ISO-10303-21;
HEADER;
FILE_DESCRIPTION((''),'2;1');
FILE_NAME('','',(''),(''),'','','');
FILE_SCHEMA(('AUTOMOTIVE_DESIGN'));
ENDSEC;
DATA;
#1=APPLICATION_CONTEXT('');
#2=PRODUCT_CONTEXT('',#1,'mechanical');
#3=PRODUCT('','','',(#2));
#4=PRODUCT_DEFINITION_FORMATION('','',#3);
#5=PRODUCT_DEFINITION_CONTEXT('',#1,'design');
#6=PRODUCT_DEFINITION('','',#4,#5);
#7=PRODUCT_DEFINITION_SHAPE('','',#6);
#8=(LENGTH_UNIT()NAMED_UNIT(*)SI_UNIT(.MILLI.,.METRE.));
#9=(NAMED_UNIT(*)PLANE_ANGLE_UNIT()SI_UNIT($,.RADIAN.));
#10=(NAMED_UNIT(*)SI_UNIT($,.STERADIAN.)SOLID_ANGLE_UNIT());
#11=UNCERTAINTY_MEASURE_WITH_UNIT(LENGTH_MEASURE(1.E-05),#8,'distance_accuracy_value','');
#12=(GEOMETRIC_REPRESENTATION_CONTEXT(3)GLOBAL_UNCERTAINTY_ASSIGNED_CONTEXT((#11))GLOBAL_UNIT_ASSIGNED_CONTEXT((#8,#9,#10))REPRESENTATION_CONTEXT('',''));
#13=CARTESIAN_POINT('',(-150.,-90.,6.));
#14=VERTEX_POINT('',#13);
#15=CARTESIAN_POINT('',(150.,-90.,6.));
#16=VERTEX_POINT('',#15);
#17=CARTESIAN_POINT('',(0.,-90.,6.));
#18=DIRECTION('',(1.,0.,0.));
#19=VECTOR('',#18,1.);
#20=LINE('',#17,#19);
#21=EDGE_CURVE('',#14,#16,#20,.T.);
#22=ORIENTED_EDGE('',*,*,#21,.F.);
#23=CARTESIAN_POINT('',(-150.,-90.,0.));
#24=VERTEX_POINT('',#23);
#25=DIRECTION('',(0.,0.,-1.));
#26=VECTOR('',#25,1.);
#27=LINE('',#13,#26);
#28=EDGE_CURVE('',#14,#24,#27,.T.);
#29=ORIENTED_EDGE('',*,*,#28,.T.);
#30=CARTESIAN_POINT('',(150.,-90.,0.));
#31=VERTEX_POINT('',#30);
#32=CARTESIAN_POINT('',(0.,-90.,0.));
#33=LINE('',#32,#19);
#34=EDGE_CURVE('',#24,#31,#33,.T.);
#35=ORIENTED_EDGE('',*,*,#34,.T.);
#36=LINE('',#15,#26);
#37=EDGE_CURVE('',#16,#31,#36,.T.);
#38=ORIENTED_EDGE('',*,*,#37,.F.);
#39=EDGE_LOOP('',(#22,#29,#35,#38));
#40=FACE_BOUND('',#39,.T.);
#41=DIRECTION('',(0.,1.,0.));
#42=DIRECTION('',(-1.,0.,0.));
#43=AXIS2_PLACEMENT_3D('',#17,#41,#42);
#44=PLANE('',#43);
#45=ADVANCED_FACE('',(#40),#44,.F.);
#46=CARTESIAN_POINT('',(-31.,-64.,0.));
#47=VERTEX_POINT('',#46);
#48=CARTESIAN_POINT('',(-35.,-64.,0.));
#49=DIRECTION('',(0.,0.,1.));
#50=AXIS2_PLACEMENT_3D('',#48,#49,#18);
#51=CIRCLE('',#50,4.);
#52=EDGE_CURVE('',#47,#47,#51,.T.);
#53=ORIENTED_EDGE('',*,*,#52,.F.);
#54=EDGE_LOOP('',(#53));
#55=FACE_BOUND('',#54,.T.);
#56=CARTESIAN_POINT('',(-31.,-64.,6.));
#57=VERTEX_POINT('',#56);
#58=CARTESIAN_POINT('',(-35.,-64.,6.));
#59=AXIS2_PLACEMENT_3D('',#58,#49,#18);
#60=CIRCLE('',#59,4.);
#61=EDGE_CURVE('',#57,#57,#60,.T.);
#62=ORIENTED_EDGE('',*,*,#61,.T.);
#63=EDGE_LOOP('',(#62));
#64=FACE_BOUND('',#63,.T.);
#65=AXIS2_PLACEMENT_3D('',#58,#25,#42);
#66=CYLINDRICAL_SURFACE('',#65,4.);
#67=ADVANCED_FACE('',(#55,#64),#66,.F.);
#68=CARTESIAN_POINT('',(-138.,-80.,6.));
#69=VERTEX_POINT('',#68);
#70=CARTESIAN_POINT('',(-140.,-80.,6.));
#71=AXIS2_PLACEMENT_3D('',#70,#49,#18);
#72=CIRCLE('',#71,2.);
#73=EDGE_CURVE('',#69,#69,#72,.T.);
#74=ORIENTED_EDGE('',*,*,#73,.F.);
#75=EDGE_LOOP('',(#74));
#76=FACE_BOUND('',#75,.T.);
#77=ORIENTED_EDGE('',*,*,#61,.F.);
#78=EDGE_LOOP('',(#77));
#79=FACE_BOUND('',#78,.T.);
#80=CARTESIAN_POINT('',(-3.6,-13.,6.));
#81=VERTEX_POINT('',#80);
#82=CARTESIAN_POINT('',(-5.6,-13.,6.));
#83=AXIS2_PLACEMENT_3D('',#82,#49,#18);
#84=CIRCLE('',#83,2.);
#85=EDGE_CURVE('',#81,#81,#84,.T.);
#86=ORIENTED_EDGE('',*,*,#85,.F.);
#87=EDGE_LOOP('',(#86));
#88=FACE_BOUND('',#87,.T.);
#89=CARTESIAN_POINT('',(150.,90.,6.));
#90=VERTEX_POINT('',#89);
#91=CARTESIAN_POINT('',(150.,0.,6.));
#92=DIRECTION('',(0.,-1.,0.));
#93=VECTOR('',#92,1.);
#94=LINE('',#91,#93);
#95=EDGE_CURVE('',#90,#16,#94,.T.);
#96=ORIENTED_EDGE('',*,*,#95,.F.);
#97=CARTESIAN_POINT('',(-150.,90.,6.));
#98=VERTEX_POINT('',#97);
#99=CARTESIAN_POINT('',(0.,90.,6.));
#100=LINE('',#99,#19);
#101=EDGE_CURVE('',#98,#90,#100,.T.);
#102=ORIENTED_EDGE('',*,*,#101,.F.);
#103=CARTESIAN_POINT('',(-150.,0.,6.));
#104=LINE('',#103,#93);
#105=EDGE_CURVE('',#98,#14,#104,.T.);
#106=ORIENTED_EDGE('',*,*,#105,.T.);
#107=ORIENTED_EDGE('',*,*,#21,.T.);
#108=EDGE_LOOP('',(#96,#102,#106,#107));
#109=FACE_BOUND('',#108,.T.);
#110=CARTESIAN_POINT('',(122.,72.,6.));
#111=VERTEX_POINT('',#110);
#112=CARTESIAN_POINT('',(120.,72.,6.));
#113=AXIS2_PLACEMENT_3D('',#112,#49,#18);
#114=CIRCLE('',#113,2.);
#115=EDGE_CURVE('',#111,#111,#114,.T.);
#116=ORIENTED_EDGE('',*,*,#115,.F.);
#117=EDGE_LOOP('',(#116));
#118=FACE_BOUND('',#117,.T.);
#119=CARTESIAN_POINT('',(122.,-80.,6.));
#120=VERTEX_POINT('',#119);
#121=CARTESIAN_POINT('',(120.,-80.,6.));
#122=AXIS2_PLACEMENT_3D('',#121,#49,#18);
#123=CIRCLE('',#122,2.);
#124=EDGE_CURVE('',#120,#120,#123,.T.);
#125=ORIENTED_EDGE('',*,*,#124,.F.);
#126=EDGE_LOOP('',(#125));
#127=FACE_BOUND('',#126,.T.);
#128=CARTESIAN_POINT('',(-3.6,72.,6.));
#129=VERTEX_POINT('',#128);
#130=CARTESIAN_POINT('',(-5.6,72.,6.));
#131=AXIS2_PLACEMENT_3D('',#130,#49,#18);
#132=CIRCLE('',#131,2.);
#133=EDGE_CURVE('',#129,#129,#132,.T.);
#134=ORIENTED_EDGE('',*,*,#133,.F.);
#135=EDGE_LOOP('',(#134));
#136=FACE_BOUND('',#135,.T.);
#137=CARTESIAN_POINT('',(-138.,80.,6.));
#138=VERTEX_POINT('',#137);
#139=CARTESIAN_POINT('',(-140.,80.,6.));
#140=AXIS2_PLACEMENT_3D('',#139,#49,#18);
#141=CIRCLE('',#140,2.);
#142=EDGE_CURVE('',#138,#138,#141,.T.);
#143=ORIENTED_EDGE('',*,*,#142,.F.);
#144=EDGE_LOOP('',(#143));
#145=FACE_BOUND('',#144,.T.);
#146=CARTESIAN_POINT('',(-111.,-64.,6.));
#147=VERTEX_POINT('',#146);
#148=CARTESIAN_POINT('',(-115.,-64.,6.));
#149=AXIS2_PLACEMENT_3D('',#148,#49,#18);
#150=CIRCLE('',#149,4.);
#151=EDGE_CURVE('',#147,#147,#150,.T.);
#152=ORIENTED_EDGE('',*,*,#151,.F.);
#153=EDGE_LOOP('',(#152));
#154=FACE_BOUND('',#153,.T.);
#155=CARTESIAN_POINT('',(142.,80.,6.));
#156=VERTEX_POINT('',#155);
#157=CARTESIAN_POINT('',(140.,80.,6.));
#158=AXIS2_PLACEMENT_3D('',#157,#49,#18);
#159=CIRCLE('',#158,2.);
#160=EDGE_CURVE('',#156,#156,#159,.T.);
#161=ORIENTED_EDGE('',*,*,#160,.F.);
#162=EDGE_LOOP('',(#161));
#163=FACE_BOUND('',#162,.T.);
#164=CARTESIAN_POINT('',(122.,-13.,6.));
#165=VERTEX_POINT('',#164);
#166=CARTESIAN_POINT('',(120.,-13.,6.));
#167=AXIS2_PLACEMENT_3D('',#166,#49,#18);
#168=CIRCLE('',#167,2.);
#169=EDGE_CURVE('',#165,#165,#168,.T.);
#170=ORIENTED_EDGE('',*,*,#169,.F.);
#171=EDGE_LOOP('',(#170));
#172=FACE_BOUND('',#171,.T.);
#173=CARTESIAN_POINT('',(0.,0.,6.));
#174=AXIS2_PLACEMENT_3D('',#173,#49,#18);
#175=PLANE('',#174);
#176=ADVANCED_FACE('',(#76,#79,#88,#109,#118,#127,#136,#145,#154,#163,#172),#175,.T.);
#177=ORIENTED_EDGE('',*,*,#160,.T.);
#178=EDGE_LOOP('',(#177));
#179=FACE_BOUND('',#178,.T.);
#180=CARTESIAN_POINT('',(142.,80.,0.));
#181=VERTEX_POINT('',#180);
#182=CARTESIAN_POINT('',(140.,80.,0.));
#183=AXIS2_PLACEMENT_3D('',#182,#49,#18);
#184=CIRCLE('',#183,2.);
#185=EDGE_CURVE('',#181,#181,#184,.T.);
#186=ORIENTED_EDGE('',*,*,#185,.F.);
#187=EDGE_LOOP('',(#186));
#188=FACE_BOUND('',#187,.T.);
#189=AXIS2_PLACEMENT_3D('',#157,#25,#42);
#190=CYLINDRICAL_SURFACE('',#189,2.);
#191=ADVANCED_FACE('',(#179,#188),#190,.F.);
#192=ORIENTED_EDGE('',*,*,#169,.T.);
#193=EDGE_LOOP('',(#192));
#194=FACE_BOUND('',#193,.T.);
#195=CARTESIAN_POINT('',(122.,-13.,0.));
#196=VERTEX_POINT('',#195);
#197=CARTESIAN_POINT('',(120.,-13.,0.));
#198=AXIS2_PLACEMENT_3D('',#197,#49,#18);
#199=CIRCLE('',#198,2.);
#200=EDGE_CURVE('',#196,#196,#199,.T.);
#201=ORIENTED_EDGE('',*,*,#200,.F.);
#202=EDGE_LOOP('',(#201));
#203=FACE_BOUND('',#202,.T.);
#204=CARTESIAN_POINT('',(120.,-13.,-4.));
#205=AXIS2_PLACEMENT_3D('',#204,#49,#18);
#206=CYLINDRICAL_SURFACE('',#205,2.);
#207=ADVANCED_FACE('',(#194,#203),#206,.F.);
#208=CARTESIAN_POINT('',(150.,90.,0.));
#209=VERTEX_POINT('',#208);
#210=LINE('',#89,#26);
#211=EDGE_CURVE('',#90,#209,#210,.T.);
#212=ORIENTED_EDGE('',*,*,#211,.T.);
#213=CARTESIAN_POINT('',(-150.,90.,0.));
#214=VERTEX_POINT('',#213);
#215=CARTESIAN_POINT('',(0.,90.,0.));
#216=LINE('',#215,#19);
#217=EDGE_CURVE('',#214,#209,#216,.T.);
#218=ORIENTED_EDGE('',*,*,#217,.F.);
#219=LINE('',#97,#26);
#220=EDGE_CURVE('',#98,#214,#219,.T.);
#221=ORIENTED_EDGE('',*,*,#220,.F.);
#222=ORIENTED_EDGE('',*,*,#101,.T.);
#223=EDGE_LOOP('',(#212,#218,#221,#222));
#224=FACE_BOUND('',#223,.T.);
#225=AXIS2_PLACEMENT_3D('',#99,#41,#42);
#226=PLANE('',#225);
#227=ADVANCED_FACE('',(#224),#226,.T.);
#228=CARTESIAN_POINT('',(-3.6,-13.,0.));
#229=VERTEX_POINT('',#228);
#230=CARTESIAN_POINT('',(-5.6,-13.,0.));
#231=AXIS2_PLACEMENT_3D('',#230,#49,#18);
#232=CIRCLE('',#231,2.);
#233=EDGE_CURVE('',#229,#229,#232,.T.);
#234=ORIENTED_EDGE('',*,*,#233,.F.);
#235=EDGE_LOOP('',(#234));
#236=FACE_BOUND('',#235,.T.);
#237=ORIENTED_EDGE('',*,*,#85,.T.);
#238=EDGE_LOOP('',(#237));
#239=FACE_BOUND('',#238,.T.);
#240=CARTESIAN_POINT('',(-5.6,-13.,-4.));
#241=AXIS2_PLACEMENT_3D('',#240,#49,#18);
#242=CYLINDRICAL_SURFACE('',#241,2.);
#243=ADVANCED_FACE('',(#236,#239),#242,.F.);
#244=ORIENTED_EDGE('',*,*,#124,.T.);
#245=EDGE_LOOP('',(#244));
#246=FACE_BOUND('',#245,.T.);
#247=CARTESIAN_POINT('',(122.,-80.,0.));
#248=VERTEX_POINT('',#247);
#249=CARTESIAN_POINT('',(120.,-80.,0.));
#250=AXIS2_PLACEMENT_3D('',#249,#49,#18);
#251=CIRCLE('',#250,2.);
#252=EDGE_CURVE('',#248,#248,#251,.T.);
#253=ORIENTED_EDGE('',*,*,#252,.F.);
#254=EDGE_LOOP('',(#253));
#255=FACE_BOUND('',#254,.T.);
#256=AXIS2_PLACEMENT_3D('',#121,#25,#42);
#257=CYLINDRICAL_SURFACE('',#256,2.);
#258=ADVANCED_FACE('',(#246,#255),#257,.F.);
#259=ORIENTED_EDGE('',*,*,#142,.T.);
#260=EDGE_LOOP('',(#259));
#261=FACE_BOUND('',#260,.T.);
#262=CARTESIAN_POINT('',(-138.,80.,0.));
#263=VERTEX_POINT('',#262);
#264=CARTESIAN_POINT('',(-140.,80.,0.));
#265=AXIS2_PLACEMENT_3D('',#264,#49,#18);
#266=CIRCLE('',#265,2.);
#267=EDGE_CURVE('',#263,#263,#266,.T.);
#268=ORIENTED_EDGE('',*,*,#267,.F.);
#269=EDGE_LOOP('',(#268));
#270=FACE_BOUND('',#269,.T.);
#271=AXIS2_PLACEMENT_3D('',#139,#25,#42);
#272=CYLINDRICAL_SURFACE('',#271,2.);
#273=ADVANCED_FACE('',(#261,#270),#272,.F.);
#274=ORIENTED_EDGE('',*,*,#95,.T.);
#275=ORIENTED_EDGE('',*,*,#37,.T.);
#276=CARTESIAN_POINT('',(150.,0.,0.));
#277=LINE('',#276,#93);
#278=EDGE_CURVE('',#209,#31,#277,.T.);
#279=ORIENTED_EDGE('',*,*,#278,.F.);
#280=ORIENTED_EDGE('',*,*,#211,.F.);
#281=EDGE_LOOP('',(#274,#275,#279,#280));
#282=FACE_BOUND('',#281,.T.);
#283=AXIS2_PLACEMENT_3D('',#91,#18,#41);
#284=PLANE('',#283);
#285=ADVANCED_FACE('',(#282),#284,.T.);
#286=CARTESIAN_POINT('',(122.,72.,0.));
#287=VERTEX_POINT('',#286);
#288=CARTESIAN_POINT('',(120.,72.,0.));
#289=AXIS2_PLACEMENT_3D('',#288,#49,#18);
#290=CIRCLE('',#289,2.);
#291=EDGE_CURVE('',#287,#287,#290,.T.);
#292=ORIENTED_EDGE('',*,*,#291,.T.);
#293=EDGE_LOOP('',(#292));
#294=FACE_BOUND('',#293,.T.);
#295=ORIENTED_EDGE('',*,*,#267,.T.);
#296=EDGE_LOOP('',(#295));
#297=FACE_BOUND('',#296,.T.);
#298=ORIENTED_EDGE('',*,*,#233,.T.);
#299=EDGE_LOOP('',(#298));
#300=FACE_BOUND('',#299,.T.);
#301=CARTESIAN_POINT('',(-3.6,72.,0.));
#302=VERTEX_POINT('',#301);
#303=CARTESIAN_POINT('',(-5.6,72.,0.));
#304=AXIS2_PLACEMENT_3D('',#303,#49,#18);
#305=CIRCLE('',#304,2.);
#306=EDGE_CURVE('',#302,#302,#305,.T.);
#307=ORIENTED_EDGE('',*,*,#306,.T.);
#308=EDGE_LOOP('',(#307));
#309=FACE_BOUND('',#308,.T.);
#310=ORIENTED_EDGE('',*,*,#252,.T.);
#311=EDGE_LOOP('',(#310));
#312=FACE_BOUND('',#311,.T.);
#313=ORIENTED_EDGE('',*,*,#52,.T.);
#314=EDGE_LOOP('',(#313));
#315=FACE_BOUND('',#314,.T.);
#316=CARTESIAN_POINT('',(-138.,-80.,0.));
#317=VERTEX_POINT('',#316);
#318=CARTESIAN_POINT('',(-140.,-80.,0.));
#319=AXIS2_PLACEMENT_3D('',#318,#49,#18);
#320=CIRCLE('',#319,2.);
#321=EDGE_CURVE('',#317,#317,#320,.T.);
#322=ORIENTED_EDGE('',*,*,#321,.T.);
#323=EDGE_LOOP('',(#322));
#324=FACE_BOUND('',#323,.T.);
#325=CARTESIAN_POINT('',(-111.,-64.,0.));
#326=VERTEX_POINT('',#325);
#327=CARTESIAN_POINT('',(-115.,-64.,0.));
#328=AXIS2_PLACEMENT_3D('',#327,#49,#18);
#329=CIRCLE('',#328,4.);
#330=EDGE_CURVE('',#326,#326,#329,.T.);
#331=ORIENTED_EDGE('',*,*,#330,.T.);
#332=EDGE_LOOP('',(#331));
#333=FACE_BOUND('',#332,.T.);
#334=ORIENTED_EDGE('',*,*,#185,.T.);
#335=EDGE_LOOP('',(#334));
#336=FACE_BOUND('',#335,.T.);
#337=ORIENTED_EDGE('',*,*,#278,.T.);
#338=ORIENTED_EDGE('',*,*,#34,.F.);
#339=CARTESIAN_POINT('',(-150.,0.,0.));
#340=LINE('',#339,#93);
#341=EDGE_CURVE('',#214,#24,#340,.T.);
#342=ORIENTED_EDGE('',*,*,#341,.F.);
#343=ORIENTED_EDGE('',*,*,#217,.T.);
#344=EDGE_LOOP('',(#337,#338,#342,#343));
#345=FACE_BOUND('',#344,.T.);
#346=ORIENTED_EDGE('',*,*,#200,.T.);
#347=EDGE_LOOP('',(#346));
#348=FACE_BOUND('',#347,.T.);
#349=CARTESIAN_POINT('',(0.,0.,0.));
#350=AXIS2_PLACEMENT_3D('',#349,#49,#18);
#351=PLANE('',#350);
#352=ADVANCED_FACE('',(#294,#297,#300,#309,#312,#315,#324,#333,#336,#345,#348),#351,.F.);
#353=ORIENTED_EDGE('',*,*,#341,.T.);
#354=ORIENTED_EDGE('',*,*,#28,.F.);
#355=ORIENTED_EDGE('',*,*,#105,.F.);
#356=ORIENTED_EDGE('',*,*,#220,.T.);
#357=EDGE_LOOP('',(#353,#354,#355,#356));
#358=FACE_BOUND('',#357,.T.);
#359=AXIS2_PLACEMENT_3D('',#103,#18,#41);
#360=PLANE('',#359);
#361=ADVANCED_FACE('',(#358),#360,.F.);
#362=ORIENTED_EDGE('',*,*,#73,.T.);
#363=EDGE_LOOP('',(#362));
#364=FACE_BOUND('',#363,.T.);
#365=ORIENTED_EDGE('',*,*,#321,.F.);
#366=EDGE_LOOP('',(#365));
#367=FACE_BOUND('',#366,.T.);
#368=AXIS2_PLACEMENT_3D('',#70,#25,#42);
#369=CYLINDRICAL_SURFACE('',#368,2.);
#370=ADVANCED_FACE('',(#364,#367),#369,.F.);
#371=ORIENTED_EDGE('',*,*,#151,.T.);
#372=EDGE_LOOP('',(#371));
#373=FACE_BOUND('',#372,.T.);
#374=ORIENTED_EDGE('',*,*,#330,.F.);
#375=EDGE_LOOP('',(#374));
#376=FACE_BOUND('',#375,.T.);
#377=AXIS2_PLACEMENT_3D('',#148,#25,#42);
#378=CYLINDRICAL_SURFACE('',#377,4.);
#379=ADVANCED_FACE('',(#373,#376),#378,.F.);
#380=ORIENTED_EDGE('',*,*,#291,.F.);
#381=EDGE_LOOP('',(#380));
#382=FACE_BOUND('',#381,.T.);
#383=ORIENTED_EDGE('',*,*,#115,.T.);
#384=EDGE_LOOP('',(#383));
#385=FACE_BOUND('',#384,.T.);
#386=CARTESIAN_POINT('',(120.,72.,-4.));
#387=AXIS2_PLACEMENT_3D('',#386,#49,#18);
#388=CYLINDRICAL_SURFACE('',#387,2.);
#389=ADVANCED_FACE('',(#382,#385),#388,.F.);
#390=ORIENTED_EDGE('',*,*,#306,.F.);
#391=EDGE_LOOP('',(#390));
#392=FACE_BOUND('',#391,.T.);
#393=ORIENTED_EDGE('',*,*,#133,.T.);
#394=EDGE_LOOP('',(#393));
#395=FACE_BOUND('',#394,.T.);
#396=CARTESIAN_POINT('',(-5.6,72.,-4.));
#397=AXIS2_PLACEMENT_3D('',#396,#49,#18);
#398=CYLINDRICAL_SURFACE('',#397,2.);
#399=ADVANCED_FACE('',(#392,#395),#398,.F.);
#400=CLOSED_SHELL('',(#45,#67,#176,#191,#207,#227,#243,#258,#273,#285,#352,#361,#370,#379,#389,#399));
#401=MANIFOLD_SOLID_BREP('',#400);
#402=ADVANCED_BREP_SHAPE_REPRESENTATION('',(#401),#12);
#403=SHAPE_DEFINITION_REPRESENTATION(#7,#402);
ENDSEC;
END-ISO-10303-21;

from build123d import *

# Parameters (mm, degrees)
ESBO_O1_W                = 300
ESBO_O1_H                = 180
ESBO_O1_R                = 2
ESBO_O1_R_2              = 4
RESSALTO_EXTRUS_O1_DEPTH = 6
ESBO_O2_R                = 2
CORTE_EXTRUS_O1_DEPTH    = 10


with BuildPart() as part:
    # Esboço1 → Ressalto-extrusão1 (new body)
    with BuildSketch(Plane.XY):
        Rectangle(ESBO_O1_W, ESBO_O1_H)
        with Locations((120, -80)):
            Circle(ESBO_O1_R, mode=Mode.SUBTRACT)
        with Locations((140, 80)):
            Circle(ESBO_O1_R, mode=Mode.SUBTRACT)
        with Locations((-140, 80)):
            Circle(ESBO_O1_R, mode=Mode.SUBTRACT)
        with Locations((-140, -80)):
            Circle(ESBO_O1_R, mode=Mode.SUBTRACT)
        with Locations((-115, -64)):
            Circle(ESBO_O1_R_2, mode=Mode.SUBTRACT)
        with Locations((-35, -64)):
            Circle(ESBO_O1_R_2, mode=Mode.SUBTRACT)
    extrude(amount=RESSALTO_EXTRUS_O1_DEPTH)

    # Esboço2 → Corte-extrusão1 (cut)
    with BuildSketch(Plane.XY.offset(6)):
        with Locations((120, 72)):
            Circle(ESBO_O2_R)
        with Locations((-5.6, 72)):
            Circle(ESBO_O2_R)
        with Locations((-5.6, -13)):
            Circle(ESBO_O2_R)
        with Locations((120, -13)):
            Circle(ESBO_O2_R)
    extrude(amount=-CORTE_EXTRUS_O1_DEPTH, mode=Mode.SUBTRACT)


solid = part.part
